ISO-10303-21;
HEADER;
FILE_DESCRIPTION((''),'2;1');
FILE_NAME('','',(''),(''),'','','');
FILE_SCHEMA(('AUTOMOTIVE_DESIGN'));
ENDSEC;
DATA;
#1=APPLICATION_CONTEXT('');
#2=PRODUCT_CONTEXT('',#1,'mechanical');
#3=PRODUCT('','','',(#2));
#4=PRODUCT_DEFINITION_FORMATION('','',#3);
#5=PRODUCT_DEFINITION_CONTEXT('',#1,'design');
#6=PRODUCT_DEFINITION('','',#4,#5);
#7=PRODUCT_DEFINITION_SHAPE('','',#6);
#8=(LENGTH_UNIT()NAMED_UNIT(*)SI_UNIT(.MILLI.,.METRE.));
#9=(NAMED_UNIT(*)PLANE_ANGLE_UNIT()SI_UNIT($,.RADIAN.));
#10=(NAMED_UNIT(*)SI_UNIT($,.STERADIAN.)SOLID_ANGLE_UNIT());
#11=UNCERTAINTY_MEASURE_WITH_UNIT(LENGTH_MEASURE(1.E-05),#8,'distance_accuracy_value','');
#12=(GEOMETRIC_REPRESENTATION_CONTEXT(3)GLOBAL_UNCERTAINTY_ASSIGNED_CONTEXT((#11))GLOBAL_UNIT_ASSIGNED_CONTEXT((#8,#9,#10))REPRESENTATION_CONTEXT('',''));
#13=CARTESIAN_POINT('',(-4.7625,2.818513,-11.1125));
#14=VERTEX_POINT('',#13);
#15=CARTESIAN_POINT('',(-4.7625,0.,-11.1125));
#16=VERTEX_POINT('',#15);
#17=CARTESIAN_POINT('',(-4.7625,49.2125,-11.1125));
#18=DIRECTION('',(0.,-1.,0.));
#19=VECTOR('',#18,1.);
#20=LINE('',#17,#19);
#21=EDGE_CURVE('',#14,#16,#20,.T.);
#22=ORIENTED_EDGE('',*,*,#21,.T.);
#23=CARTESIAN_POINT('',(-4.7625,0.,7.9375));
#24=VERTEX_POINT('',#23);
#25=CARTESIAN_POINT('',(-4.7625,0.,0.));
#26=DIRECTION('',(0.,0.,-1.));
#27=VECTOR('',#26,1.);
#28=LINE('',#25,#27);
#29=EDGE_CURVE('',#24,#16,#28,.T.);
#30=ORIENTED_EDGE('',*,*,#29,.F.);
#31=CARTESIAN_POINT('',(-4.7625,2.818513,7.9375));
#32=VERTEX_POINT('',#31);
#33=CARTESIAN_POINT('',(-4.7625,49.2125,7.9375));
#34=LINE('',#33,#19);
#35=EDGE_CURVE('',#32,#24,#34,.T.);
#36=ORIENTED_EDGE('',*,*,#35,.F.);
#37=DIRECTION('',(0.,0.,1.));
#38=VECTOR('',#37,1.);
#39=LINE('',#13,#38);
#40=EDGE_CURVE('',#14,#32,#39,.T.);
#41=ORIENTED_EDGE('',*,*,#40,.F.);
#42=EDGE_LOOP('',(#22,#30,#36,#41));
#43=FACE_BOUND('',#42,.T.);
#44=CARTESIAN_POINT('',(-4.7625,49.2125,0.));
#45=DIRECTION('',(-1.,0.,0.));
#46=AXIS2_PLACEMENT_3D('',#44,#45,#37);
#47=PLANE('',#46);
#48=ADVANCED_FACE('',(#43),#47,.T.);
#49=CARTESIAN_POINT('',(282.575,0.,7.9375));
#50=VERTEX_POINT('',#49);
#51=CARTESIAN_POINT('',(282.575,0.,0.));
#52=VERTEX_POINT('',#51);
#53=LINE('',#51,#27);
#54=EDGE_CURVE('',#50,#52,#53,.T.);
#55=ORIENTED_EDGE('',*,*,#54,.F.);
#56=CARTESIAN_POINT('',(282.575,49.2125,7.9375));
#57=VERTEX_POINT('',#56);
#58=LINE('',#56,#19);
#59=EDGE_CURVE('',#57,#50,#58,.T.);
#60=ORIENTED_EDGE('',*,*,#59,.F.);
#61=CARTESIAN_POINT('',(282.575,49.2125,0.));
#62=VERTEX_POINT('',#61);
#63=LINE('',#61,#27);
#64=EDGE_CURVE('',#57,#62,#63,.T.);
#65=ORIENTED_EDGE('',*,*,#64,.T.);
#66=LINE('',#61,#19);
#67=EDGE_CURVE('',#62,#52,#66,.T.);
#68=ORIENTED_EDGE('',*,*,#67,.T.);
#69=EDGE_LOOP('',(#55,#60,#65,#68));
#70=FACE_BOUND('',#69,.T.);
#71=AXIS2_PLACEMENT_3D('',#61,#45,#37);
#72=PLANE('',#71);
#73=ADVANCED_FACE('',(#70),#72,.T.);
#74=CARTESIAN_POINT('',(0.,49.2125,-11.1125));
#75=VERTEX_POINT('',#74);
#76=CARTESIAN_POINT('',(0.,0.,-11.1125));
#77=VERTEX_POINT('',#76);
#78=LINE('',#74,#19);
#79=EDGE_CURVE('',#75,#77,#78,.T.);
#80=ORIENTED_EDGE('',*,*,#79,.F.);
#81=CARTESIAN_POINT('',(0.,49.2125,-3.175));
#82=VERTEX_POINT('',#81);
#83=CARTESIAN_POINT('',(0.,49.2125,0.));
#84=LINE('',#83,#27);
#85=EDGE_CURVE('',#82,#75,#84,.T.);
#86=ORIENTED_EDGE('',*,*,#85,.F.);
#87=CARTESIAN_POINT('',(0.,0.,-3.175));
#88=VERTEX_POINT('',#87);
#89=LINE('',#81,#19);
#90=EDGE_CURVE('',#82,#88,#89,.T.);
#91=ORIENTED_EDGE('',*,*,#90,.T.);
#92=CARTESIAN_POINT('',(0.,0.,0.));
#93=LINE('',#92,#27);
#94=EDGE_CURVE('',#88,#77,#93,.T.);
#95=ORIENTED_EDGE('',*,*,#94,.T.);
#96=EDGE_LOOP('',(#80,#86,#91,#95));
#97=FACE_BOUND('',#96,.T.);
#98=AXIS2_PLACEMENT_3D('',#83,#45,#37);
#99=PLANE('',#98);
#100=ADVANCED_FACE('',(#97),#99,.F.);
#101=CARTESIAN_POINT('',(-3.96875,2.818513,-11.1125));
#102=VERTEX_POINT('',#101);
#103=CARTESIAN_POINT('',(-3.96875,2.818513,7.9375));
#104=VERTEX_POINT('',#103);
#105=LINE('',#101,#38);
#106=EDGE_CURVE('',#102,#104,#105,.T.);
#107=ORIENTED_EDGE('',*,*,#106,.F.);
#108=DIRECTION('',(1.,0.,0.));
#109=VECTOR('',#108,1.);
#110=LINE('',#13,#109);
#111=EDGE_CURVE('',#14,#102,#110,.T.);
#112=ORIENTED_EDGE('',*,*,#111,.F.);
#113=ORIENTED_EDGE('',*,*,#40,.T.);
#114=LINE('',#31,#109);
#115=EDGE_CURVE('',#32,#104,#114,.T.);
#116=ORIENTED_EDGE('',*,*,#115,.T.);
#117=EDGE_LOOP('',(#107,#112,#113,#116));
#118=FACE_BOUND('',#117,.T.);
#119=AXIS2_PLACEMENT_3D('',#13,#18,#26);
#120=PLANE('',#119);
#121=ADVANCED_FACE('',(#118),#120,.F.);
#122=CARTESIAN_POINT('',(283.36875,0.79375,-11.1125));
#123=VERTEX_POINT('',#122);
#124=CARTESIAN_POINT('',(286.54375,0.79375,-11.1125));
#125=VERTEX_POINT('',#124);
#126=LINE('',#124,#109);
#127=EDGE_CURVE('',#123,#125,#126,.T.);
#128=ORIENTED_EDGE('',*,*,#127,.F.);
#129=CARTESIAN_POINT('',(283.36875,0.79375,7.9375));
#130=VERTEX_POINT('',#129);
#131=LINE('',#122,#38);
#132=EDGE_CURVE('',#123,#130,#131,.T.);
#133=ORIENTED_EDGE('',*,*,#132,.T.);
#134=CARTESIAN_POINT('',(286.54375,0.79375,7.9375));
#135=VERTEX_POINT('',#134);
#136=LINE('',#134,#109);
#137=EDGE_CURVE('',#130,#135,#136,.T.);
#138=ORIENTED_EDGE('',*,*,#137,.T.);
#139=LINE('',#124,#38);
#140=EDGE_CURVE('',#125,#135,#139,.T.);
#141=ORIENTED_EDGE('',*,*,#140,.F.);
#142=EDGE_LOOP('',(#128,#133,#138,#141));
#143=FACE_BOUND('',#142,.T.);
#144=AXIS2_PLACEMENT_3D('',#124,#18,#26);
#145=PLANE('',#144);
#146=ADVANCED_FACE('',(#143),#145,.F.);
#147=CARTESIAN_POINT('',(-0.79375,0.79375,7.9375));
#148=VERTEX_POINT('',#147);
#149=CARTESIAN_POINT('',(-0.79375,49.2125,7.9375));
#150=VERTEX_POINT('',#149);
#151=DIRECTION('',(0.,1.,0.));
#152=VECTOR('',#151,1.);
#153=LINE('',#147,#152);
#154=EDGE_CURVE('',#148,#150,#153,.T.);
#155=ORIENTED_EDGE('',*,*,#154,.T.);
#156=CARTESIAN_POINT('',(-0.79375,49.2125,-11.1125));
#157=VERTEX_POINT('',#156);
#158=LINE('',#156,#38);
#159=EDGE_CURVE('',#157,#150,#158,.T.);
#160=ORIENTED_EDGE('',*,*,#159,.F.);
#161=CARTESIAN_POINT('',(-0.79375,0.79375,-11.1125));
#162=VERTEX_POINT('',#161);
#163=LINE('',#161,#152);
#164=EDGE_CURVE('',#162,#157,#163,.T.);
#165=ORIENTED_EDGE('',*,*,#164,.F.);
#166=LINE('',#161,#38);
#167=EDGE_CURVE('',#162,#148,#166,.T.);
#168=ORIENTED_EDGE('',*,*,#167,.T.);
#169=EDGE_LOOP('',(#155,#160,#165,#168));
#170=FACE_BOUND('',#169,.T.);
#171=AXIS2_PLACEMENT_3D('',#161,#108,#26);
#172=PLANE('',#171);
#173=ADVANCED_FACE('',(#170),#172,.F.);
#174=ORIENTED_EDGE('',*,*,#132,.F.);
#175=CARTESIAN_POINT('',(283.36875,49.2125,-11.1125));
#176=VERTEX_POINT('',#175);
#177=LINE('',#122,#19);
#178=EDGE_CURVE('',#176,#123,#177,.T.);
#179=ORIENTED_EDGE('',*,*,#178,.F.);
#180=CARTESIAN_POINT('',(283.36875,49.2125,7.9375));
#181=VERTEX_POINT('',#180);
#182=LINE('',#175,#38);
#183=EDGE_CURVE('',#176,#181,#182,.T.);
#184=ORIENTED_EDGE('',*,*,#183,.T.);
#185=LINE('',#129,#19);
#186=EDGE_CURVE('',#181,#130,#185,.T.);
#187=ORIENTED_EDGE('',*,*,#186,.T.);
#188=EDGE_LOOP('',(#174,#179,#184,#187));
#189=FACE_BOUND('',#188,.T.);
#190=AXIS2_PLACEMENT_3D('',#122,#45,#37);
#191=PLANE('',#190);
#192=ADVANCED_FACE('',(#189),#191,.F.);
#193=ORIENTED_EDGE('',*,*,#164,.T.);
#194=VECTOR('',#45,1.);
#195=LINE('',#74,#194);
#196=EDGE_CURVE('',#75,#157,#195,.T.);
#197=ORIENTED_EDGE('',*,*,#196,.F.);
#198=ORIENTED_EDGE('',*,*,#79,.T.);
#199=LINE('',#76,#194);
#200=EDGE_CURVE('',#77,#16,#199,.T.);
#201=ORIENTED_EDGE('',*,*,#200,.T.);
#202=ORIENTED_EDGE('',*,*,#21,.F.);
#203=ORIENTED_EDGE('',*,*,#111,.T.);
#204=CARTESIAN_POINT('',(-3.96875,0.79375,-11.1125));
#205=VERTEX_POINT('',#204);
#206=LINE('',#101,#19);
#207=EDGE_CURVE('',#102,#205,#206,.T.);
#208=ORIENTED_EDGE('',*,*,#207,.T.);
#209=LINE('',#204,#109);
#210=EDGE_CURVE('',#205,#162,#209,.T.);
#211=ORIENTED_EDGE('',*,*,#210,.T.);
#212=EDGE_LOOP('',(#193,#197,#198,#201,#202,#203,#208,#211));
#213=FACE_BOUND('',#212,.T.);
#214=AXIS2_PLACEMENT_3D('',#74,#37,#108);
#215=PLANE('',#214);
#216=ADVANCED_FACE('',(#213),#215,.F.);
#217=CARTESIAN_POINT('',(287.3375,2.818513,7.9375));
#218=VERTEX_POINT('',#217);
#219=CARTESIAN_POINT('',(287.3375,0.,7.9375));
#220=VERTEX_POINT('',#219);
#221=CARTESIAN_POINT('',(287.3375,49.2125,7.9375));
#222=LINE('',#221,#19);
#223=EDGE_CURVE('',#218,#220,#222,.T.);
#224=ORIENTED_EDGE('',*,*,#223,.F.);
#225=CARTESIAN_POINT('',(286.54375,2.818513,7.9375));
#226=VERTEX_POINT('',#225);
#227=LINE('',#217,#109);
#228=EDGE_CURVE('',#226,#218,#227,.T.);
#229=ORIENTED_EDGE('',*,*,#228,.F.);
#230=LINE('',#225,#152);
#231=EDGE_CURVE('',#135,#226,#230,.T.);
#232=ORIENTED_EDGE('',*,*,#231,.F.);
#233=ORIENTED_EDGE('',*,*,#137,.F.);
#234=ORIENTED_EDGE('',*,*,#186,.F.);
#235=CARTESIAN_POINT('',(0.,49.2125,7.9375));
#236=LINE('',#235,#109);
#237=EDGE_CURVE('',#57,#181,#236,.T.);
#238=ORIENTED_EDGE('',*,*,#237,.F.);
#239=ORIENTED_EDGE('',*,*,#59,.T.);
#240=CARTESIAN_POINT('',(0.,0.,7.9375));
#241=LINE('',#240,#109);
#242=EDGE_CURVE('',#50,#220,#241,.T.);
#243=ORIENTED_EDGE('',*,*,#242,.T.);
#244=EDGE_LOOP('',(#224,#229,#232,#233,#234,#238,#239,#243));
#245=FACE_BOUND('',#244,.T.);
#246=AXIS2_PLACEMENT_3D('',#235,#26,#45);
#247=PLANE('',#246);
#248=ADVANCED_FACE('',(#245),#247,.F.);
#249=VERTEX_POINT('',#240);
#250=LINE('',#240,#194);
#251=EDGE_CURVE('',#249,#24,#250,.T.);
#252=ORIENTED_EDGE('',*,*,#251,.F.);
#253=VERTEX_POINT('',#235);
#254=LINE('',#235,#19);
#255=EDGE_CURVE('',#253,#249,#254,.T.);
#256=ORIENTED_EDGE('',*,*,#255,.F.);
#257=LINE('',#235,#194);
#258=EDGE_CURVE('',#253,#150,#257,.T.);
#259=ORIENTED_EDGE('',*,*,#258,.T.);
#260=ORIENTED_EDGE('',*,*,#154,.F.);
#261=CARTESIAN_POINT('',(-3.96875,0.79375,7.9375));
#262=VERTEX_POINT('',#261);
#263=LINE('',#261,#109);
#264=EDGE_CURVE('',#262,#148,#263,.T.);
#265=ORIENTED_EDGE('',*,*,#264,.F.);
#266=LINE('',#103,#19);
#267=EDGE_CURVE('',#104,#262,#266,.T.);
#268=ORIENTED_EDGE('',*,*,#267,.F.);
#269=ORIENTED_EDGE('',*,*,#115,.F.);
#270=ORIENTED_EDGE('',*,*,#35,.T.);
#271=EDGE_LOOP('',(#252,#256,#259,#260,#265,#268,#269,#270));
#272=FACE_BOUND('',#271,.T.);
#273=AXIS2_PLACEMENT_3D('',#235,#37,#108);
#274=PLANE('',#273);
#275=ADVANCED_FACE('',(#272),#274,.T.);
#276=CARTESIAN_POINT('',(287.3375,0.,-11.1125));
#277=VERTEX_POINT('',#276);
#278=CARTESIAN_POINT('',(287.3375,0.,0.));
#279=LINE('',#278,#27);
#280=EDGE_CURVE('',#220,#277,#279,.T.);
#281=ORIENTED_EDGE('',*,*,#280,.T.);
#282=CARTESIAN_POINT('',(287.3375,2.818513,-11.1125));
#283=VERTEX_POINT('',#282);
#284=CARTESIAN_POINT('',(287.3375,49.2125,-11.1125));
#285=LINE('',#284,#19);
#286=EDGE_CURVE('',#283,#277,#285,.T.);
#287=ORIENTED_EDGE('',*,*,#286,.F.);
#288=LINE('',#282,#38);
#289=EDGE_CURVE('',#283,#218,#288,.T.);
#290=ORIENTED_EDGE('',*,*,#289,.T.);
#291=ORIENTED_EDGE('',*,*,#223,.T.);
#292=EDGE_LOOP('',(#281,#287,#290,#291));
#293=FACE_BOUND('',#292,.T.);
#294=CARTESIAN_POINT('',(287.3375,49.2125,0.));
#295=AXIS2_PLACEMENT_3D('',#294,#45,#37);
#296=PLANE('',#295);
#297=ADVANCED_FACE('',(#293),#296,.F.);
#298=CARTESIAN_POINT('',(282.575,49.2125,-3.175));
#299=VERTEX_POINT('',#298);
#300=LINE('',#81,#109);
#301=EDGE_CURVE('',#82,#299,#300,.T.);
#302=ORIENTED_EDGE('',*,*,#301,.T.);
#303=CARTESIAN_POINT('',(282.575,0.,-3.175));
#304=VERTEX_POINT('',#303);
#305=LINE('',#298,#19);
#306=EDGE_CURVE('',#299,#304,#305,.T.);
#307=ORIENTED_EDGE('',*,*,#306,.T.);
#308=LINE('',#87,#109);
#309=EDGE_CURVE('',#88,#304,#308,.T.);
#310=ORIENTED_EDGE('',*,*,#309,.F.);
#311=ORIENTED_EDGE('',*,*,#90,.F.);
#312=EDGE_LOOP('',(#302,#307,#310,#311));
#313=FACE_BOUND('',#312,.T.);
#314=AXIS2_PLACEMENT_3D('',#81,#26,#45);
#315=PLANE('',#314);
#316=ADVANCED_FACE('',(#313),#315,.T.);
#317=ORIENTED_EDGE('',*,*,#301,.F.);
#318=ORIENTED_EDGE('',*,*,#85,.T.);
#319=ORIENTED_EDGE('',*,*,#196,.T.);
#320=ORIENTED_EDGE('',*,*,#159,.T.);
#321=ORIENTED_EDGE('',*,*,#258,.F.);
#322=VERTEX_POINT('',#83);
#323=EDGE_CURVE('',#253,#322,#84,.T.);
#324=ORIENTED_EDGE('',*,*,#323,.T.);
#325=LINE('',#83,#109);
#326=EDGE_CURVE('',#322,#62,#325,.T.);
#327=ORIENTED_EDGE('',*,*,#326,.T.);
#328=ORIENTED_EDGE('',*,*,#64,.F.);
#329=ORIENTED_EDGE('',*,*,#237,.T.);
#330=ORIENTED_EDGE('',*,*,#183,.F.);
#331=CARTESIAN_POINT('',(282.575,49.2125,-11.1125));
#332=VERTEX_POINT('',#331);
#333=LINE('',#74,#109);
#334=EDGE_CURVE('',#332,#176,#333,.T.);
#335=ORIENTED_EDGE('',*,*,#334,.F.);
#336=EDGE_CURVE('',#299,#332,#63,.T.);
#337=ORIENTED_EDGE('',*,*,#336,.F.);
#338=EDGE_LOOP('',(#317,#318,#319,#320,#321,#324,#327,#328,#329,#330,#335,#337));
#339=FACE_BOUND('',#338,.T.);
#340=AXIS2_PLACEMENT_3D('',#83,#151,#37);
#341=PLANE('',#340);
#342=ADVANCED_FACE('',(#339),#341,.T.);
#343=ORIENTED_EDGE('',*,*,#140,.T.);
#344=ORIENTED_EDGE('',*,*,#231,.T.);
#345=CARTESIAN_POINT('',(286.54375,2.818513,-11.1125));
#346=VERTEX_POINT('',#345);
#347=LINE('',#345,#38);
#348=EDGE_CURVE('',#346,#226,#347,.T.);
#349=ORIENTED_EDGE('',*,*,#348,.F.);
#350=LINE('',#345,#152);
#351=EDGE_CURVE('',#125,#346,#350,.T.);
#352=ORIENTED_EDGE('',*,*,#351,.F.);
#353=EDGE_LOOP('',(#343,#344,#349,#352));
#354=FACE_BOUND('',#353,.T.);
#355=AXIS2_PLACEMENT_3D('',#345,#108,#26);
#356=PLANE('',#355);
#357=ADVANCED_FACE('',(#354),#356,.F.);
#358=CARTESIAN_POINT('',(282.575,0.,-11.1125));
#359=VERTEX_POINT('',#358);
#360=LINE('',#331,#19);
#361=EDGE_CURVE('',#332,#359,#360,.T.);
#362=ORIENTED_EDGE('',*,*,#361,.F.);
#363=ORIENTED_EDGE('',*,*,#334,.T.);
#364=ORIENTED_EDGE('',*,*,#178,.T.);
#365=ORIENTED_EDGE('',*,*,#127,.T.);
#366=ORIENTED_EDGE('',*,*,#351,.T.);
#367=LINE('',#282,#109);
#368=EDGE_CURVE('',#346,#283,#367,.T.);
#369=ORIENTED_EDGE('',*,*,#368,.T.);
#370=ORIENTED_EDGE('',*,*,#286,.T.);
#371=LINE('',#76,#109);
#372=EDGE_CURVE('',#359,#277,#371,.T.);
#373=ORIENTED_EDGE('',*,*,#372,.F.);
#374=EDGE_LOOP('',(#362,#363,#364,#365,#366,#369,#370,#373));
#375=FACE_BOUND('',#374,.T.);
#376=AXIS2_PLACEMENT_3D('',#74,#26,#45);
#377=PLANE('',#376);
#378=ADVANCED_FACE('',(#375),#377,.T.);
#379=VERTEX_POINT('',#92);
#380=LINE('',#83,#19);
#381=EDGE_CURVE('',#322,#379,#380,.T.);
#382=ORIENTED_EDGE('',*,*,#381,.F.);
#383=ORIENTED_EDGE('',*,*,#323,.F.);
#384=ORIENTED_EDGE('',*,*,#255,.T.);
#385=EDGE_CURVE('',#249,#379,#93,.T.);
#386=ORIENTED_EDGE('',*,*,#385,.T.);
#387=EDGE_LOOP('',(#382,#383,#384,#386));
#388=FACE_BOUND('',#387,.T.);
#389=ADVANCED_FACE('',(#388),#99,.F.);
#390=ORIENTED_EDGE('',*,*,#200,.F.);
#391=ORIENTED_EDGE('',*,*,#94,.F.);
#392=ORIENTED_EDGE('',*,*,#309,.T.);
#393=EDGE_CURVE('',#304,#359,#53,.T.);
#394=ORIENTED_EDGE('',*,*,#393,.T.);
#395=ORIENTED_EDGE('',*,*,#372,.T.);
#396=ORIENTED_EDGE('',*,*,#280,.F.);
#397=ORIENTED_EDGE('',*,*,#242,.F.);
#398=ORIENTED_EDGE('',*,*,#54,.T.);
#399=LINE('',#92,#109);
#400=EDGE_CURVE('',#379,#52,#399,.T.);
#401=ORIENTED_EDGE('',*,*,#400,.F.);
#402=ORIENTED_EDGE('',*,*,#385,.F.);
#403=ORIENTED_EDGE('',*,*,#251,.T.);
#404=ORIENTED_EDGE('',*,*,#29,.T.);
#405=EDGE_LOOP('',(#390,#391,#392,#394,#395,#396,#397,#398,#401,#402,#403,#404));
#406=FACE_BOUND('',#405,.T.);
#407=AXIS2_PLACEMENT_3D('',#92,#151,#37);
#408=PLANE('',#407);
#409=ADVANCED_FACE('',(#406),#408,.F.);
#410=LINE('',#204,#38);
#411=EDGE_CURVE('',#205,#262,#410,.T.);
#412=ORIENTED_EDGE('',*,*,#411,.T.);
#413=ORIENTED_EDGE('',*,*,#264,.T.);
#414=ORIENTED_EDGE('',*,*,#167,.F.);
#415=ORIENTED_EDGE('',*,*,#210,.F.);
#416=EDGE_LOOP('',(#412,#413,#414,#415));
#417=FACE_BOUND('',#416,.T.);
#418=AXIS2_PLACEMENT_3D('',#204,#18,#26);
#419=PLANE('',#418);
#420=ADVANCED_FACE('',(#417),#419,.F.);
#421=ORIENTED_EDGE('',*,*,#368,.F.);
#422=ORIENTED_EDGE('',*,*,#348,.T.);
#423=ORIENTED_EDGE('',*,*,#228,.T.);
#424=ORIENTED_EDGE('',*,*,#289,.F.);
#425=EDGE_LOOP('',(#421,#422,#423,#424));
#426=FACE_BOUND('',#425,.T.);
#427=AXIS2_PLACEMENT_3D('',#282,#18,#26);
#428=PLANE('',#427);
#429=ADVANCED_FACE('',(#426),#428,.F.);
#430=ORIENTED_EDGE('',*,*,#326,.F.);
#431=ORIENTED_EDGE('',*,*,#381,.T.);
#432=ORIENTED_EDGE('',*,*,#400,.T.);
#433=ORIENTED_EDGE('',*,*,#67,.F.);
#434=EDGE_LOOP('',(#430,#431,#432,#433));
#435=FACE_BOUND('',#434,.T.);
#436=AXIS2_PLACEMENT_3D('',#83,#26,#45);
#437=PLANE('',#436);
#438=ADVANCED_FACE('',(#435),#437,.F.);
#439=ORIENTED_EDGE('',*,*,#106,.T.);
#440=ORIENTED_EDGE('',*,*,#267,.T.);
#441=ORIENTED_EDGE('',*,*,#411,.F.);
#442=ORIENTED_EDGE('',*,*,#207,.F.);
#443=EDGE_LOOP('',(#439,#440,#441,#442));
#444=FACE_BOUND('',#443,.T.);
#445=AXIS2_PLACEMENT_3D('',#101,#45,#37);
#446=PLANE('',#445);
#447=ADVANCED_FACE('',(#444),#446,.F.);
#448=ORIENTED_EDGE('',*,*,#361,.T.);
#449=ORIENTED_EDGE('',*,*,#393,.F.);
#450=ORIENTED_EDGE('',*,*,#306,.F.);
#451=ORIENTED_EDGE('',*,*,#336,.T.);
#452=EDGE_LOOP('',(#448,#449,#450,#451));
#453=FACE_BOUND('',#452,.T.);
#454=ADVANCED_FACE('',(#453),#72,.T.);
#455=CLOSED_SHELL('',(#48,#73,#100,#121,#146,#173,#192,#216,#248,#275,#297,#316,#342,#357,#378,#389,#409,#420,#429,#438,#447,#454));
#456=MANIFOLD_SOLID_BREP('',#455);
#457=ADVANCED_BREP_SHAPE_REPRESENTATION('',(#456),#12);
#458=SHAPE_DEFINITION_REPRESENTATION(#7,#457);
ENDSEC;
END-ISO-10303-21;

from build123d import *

# Parameters (mm, degrees)
SKETCH1_W           = 282.575
SKETCH1_H           = 3.175
SKETCH1_W_2         = 4.7625
SKETCH1_H_2         = 19.05
BOSS_EXTRUDE1_DEPTH = 49.2125
CUT_EXTRUDE1_DEPTH  = 293.143135402


with BuildPart() as part:
    # Sketch1 → Boss-Extrude1 (new body)
    with BuildSketch(Plane(origin=(0, 0, 0), x_dir=(1, 0, 0), z_dir=(0, 1, 0))):
        with Locations((141.2875, 1.5875)):
            Rectangle(SKETCH1_W, SKETCH1_H)
        with Locations((-2.38125, 1.5875)):
            Rectangle(SKETCH1_W_2, SKETCH1_H_2)
        with Locations((284.95625, 1.5875)):
            Rectangle(SKETCH1_W_2, SKETCH1_H_2)
    extrude(amount=BOSS_EXTRUDE1_DEPTH)

    # Sketch2 → Cut-Extrude1 (cut, through all)
    with BuildSketch(Plane.XY.offset(7.9375)):
        Polygon((-4.7625, 2.81851333), (-3.96875, 2.81851333), (-3.96875, 0.79375), (-0.79375, 0.79375), (-0.79375, 49.2125), (-4.7625, 49.2125), align=None)
        Polygon((287.3375, 2.81851333), (286.54375, 2.81851333), (286.54375, 0.79375), (283.36875, 0.79375), (283.36875, 49.2125), (287.3375, 49.2125), align=None)
    extrude(amount=-CUT_EXTRUDE1_DEPTH, mode=Mode.SUBTRACT)


solid = part.part
